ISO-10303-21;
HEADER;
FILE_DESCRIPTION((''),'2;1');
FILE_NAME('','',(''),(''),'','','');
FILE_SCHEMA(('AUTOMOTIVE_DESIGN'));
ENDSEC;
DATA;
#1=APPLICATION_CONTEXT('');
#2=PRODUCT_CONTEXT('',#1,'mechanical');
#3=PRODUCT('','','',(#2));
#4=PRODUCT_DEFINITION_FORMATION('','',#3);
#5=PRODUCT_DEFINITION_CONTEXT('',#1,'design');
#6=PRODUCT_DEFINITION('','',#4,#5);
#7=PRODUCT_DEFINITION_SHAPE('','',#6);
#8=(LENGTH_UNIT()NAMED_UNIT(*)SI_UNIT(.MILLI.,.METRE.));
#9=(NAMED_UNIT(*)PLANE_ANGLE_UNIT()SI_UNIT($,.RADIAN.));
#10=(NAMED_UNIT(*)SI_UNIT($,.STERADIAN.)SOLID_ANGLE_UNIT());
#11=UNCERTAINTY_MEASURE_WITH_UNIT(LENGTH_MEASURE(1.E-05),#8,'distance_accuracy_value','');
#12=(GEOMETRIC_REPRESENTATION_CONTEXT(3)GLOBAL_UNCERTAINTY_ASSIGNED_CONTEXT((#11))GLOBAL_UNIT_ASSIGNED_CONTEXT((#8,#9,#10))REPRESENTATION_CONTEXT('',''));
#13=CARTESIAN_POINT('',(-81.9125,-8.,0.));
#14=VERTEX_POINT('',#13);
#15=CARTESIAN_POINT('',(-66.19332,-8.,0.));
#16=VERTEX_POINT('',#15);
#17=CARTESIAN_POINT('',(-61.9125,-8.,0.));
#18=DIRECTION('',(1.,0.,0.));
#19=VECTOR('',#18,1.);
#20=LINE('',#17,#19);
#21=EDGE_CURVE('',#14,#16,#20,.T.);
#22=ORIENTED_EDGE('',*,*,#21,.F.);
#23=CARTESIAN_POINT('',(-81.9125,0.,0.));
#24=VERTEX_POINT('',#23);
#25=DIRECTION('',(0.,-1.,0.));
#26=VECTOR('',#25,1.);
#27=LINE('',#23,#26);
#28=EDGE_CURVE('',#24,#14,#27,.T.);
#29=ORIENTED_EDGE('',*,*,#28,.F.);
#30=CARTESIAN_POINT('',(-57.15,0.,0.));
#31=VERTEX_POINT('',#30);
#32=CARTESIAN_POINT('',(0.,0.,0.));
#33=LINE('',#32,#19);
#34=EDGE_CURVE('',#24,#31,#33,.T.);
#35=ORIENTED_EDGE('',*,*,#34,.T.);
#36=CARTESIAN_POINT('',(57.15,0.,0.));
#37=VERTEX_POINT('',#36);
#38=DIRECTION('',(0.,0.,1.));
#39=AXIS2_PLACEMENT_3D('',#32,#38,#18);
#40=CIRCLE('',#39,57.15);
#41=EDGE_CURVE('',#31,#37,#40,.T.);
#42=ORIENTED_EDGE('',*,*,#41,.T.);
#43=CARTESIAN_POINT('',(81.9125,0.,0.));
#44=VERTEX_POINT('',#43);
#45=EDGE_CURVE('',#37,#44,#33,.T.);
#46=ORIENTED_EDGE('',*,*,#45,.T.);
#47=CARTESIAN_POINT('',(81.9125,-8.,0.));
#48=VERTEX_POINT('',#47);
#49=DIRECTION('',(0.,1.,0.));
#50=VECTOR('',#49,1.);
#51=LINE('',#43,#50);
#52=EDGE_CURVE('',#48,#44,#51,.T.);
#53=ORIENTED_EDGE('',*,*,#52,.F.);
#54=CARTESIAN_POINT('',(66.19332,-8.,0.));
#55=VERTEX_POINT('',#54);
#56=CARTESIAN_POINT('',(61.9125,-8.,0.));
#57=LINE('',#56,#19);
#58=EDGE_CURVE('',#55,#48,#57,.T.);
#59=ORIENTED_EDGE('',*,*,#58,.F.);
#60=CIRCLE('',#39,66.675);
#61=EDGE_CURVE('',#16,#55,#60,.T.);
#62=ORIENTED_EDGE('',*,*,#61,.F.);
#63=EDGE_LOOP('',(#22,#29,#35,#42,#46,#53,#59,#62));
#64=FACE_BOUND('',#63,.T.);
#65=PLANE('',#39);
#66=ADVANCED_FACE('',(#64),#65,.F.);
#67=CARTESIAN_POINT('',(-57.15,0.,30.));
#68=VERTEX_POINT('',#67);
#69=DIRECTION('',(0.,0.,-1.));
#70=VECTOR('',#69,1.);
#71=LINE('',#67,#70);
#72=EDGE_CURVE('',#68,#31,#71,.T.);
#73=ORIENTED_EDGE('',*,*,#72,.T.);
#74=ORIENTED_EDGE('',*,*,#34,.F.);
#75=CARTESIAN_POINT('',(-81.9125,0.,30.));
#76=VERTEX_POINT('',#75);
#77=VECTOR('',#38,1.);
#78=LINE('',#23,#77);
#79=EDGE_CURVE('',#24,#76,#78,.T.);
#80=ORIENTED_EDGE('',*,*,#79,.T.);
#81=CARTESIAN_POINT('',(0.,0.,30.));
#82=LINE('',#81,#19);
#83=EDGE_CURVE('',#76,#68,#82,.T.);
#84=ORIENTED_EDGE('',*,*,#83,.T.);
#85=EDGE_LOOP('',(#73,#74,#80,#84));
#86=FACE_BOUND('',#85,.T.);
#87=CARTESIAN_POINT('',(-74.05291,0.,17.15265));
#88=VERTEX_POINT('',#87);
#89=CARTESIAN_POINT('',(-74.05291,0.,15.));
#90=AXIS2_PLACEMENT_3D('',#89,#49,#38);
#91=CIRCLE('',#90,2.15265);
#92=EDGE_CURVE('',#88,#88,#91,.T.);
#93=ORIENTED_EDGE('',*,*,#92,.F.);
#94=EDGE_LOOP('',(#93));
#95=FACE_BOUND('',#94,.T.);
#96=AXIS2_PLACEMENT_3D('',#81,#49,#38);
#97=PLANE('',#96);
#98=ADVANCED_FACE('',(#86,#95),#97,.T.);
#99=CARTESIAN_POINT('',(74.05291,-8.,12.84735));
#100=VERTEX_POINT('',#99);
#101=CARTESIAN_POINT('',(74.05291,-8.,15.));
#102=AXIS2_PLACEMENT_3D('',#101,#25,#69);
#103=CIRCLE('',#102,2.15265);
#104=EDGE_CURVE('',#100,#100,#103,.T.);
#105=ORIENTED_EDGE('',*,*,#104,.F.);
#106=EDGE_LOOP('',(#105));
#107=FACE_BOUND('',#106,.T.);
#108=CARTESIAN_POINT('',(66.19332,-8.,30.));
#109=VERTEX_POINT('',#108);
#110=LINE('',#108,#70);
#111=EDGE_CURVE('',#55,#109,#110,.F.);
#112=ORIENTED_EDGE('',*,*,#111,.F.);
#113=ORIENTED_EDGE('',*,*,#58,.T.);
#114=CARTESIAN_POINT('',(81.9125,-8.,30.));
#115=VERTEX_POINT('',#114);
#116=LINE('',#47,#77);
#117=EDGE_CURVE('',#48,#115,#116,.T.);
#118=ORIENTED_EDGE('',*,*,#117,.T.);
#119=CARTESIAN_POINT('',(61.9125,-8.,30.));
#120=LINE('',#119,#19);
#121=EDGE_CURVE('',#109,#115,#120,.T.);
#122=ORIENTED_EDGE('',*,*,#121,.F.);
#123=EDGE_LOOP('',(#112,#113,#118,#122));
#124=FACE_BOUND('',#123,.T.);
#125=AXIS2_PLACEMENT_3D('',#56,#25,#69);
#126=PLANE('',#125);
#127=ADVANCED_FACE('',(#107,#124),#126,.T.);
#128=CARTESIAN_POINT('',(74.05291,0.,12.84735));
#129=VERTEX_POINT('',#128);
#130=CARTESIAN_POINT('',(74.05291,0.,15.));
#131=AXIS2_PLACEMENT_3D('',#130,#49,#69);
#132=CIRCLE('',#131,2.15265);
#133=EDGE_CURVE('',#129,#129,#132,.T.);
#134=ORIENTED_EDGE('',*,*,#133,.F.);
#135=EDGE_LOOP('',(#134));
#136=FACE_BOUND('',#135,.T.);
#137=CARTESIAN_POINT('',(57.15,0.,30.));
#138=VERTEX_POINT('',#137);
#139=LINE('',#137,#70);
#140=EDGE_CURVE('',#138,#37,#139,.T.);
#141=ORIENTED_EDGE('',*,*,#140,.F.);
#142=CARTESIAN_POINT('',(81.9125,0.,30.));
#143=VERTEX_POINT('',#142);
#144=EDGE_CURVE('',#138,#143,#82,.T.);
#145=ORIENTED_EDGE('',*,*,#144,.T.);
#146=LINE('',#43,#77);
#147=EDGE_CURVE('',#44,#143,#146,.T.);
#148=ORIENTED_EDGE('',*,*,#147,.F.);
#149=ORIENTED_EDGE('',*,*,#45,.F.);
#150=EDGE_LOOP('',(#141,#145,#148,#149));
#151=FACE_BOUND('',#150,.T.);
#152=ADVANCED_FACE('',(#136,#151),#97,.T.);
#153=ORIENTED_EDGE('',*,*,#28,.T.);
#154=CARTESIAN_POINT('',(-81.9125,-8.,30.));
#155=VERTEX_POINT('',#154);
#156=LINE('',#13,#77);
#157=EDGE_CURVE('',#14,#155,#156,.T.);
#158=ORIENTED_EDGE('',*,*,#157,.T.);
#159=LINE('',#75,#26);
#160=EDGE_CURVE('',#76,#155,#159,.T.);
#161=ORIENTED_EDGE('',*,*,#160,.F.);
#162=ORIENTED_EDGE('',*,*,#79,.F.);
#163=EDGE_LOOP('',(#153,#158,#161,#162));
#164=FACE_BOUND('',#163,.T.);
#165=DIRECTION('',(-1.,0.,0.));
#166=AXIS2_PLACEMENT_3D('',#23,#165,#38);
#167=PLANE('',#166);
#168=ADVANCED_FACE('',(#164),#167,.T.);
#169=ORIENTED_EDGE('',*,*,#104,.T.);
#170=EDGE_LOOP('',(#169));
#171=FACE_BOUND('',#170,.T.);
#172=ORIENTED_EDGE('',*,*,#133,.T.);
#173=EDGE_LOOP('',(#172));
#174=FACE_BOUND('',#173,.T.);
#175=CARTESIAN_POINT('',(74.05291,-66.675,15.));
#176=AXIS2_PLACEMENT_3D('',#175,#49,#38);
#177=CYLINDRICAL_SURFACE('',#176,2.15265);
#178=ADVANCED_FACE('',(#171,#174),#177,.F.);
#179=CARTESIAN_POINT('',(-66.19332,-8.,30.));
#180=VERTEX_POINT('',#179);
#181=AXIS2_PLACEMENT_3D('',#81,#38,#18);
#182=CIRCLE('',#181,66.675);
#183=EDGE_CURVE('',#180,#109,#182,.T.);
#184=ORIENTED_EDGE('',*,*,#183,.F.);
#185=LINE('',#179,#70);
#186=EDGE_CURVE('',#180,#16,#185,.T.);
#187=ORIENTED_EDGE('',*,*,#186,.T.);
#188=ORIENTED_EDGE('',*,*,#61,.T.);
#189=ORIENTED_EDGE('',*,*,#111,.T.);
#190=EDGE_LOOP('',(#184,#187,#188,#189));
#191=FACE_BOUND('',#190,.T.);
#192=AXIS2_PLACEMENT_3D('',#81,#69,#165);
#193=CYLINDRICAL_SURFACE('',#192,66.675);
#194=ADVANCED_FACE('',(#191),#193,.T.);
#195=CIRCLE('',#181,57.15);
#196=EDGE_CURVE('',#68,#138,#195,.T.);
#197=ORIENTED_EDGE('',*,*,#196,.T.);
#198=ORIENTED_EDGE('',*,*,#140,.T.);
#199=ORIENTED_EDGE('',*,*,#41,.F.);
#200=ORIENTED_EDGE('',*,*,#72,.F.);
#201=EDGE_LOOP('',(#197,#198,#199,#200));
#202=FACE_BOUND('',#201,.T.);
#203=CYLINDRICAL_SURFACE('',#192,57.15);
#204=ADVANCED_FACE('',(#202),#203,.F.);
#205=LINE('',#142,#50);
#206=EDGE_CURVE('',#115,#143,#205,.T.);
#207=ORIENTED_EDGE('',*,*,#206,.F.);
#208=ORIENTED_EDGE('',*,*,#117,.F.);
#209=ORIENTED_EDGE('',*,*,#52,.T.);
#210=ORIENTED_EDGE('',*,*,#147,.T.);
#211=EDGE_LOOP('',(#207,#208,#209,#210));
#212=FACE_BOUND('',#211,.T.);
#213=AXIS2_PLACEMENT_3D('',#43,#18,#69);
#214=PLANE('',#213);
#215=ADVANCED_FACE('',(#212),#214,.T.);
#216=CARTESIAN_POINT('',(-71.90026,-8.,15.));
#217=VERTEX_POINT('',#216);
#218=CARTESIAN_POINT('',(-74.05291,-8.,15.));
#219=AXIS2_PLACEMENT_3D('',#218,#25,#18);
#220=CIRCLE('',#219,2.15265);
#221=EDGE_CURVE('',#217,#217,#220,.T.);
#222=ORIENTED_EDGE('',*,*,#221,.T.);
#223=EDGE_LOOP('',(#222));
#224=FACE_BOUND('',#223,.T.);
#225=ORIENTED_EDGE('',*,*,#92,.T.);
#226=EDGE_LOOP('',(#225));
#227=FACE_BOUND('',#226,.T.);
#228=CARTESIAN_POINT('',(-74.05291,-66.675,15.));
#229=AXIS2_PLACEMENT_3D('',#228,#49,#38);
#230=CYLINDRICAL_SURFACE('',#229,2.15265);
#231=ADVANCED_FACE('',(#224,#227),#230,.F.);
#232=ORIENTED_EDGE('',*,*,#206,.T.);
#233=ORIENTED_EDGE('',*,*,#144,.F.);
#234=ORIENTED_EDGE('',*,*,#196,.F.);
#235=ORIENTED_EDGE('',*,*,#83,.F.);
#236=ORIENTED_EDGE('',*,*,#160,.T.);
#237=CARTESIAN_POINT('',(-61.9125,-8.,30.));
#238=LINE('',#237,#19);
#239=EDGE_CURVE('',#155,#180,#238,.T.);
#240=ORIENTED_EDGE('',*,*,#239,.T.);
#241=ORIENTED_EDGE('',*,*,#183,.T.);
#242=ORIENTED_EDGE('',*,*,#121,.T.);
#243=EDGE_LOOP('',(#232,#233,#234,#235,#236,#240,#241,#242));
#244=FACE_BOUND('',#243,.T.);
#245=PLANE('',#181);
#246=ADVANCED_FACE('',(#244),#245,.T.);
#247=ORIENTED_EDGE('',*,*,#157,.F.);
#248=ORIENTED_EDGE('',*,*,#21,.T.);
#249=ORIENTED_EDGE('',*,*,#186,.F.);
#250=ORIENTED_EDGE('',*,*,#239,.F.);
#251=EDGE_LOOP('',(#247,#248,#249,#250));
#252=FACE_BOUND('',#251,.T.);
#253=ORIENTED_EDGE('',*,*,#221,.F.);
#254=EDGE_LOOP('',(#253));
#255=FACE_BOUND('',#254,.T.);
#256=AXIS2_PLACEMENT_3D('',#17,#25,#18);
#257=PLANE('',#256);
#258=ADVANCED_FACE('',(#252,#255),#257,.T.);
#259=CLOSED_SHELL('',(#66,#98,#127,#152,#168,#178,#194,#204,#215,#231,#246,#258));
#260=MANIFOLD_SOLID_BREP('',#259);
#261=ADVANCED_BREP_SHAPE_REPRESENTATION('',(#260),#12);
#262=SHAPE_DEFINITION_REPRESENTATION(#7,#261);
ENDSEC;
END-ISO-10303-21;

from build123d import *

# Parameters (mm, degrees)
BOSS_EXTRUDE1_DEPTH = 30
SKETCH2_W           = 20
SKETCH2_H           = 8
BOSS_EXTRUDE2_DEPTH = 30
SKETCH3_R           = 2.15265
CUT_EXTRUDE1_DEPTH  = 67.675


with BuildPart() as part:
    # Sketch1 → Boss-Extrude1 (new body)
    with BuildSketch(Plane.XY):
        with BuildLine():
            Line((66.675, 0), (57.15, 0))
            ThreePointArc((57.15, 0), (0, -57.15), (-57.15, 0))
            Line((-57.15, 0), (-66.675, 0))
            ThreePointArc((-66.675, 0), (0, -66.675), (66.675, 0))
        make_face()
    extrude(amount=BOSS_EXTRUDE1_DEPTH)

    # Sketch2 → Boss-Extrude2 (add)
    with BuildSketch(Plane.XY.offset(30)):
        with Locations((71.9125, -4)):
            Rectangle(SKETCH2_W, SKETCH2_H)
        with Locations((-71.9125, -4)):
            Rectangle(SKETCH2_W, SKETCH2_H)
    extrude(amount=-BOSS_EXTRUDE2_DEPTH)

    # Sketch3 → Cut-Extrude1 (cut, through all)
    with BuildSketch(Plane(origin=(0, 0, 0), x_dir=(1, 0, 0), z_dir=(0, 1, 0))):
        with Locations((-74.052910047, -15)):
            Circle(SKETCH3_R)
        with Locations((74.052910047, -15)):
            Circle(SKETCH3_R)
    extrude(amount=-CUT_EXTRUDE1_DEPTH, mode=Mode.SUBTRACT)


solid = part.part
